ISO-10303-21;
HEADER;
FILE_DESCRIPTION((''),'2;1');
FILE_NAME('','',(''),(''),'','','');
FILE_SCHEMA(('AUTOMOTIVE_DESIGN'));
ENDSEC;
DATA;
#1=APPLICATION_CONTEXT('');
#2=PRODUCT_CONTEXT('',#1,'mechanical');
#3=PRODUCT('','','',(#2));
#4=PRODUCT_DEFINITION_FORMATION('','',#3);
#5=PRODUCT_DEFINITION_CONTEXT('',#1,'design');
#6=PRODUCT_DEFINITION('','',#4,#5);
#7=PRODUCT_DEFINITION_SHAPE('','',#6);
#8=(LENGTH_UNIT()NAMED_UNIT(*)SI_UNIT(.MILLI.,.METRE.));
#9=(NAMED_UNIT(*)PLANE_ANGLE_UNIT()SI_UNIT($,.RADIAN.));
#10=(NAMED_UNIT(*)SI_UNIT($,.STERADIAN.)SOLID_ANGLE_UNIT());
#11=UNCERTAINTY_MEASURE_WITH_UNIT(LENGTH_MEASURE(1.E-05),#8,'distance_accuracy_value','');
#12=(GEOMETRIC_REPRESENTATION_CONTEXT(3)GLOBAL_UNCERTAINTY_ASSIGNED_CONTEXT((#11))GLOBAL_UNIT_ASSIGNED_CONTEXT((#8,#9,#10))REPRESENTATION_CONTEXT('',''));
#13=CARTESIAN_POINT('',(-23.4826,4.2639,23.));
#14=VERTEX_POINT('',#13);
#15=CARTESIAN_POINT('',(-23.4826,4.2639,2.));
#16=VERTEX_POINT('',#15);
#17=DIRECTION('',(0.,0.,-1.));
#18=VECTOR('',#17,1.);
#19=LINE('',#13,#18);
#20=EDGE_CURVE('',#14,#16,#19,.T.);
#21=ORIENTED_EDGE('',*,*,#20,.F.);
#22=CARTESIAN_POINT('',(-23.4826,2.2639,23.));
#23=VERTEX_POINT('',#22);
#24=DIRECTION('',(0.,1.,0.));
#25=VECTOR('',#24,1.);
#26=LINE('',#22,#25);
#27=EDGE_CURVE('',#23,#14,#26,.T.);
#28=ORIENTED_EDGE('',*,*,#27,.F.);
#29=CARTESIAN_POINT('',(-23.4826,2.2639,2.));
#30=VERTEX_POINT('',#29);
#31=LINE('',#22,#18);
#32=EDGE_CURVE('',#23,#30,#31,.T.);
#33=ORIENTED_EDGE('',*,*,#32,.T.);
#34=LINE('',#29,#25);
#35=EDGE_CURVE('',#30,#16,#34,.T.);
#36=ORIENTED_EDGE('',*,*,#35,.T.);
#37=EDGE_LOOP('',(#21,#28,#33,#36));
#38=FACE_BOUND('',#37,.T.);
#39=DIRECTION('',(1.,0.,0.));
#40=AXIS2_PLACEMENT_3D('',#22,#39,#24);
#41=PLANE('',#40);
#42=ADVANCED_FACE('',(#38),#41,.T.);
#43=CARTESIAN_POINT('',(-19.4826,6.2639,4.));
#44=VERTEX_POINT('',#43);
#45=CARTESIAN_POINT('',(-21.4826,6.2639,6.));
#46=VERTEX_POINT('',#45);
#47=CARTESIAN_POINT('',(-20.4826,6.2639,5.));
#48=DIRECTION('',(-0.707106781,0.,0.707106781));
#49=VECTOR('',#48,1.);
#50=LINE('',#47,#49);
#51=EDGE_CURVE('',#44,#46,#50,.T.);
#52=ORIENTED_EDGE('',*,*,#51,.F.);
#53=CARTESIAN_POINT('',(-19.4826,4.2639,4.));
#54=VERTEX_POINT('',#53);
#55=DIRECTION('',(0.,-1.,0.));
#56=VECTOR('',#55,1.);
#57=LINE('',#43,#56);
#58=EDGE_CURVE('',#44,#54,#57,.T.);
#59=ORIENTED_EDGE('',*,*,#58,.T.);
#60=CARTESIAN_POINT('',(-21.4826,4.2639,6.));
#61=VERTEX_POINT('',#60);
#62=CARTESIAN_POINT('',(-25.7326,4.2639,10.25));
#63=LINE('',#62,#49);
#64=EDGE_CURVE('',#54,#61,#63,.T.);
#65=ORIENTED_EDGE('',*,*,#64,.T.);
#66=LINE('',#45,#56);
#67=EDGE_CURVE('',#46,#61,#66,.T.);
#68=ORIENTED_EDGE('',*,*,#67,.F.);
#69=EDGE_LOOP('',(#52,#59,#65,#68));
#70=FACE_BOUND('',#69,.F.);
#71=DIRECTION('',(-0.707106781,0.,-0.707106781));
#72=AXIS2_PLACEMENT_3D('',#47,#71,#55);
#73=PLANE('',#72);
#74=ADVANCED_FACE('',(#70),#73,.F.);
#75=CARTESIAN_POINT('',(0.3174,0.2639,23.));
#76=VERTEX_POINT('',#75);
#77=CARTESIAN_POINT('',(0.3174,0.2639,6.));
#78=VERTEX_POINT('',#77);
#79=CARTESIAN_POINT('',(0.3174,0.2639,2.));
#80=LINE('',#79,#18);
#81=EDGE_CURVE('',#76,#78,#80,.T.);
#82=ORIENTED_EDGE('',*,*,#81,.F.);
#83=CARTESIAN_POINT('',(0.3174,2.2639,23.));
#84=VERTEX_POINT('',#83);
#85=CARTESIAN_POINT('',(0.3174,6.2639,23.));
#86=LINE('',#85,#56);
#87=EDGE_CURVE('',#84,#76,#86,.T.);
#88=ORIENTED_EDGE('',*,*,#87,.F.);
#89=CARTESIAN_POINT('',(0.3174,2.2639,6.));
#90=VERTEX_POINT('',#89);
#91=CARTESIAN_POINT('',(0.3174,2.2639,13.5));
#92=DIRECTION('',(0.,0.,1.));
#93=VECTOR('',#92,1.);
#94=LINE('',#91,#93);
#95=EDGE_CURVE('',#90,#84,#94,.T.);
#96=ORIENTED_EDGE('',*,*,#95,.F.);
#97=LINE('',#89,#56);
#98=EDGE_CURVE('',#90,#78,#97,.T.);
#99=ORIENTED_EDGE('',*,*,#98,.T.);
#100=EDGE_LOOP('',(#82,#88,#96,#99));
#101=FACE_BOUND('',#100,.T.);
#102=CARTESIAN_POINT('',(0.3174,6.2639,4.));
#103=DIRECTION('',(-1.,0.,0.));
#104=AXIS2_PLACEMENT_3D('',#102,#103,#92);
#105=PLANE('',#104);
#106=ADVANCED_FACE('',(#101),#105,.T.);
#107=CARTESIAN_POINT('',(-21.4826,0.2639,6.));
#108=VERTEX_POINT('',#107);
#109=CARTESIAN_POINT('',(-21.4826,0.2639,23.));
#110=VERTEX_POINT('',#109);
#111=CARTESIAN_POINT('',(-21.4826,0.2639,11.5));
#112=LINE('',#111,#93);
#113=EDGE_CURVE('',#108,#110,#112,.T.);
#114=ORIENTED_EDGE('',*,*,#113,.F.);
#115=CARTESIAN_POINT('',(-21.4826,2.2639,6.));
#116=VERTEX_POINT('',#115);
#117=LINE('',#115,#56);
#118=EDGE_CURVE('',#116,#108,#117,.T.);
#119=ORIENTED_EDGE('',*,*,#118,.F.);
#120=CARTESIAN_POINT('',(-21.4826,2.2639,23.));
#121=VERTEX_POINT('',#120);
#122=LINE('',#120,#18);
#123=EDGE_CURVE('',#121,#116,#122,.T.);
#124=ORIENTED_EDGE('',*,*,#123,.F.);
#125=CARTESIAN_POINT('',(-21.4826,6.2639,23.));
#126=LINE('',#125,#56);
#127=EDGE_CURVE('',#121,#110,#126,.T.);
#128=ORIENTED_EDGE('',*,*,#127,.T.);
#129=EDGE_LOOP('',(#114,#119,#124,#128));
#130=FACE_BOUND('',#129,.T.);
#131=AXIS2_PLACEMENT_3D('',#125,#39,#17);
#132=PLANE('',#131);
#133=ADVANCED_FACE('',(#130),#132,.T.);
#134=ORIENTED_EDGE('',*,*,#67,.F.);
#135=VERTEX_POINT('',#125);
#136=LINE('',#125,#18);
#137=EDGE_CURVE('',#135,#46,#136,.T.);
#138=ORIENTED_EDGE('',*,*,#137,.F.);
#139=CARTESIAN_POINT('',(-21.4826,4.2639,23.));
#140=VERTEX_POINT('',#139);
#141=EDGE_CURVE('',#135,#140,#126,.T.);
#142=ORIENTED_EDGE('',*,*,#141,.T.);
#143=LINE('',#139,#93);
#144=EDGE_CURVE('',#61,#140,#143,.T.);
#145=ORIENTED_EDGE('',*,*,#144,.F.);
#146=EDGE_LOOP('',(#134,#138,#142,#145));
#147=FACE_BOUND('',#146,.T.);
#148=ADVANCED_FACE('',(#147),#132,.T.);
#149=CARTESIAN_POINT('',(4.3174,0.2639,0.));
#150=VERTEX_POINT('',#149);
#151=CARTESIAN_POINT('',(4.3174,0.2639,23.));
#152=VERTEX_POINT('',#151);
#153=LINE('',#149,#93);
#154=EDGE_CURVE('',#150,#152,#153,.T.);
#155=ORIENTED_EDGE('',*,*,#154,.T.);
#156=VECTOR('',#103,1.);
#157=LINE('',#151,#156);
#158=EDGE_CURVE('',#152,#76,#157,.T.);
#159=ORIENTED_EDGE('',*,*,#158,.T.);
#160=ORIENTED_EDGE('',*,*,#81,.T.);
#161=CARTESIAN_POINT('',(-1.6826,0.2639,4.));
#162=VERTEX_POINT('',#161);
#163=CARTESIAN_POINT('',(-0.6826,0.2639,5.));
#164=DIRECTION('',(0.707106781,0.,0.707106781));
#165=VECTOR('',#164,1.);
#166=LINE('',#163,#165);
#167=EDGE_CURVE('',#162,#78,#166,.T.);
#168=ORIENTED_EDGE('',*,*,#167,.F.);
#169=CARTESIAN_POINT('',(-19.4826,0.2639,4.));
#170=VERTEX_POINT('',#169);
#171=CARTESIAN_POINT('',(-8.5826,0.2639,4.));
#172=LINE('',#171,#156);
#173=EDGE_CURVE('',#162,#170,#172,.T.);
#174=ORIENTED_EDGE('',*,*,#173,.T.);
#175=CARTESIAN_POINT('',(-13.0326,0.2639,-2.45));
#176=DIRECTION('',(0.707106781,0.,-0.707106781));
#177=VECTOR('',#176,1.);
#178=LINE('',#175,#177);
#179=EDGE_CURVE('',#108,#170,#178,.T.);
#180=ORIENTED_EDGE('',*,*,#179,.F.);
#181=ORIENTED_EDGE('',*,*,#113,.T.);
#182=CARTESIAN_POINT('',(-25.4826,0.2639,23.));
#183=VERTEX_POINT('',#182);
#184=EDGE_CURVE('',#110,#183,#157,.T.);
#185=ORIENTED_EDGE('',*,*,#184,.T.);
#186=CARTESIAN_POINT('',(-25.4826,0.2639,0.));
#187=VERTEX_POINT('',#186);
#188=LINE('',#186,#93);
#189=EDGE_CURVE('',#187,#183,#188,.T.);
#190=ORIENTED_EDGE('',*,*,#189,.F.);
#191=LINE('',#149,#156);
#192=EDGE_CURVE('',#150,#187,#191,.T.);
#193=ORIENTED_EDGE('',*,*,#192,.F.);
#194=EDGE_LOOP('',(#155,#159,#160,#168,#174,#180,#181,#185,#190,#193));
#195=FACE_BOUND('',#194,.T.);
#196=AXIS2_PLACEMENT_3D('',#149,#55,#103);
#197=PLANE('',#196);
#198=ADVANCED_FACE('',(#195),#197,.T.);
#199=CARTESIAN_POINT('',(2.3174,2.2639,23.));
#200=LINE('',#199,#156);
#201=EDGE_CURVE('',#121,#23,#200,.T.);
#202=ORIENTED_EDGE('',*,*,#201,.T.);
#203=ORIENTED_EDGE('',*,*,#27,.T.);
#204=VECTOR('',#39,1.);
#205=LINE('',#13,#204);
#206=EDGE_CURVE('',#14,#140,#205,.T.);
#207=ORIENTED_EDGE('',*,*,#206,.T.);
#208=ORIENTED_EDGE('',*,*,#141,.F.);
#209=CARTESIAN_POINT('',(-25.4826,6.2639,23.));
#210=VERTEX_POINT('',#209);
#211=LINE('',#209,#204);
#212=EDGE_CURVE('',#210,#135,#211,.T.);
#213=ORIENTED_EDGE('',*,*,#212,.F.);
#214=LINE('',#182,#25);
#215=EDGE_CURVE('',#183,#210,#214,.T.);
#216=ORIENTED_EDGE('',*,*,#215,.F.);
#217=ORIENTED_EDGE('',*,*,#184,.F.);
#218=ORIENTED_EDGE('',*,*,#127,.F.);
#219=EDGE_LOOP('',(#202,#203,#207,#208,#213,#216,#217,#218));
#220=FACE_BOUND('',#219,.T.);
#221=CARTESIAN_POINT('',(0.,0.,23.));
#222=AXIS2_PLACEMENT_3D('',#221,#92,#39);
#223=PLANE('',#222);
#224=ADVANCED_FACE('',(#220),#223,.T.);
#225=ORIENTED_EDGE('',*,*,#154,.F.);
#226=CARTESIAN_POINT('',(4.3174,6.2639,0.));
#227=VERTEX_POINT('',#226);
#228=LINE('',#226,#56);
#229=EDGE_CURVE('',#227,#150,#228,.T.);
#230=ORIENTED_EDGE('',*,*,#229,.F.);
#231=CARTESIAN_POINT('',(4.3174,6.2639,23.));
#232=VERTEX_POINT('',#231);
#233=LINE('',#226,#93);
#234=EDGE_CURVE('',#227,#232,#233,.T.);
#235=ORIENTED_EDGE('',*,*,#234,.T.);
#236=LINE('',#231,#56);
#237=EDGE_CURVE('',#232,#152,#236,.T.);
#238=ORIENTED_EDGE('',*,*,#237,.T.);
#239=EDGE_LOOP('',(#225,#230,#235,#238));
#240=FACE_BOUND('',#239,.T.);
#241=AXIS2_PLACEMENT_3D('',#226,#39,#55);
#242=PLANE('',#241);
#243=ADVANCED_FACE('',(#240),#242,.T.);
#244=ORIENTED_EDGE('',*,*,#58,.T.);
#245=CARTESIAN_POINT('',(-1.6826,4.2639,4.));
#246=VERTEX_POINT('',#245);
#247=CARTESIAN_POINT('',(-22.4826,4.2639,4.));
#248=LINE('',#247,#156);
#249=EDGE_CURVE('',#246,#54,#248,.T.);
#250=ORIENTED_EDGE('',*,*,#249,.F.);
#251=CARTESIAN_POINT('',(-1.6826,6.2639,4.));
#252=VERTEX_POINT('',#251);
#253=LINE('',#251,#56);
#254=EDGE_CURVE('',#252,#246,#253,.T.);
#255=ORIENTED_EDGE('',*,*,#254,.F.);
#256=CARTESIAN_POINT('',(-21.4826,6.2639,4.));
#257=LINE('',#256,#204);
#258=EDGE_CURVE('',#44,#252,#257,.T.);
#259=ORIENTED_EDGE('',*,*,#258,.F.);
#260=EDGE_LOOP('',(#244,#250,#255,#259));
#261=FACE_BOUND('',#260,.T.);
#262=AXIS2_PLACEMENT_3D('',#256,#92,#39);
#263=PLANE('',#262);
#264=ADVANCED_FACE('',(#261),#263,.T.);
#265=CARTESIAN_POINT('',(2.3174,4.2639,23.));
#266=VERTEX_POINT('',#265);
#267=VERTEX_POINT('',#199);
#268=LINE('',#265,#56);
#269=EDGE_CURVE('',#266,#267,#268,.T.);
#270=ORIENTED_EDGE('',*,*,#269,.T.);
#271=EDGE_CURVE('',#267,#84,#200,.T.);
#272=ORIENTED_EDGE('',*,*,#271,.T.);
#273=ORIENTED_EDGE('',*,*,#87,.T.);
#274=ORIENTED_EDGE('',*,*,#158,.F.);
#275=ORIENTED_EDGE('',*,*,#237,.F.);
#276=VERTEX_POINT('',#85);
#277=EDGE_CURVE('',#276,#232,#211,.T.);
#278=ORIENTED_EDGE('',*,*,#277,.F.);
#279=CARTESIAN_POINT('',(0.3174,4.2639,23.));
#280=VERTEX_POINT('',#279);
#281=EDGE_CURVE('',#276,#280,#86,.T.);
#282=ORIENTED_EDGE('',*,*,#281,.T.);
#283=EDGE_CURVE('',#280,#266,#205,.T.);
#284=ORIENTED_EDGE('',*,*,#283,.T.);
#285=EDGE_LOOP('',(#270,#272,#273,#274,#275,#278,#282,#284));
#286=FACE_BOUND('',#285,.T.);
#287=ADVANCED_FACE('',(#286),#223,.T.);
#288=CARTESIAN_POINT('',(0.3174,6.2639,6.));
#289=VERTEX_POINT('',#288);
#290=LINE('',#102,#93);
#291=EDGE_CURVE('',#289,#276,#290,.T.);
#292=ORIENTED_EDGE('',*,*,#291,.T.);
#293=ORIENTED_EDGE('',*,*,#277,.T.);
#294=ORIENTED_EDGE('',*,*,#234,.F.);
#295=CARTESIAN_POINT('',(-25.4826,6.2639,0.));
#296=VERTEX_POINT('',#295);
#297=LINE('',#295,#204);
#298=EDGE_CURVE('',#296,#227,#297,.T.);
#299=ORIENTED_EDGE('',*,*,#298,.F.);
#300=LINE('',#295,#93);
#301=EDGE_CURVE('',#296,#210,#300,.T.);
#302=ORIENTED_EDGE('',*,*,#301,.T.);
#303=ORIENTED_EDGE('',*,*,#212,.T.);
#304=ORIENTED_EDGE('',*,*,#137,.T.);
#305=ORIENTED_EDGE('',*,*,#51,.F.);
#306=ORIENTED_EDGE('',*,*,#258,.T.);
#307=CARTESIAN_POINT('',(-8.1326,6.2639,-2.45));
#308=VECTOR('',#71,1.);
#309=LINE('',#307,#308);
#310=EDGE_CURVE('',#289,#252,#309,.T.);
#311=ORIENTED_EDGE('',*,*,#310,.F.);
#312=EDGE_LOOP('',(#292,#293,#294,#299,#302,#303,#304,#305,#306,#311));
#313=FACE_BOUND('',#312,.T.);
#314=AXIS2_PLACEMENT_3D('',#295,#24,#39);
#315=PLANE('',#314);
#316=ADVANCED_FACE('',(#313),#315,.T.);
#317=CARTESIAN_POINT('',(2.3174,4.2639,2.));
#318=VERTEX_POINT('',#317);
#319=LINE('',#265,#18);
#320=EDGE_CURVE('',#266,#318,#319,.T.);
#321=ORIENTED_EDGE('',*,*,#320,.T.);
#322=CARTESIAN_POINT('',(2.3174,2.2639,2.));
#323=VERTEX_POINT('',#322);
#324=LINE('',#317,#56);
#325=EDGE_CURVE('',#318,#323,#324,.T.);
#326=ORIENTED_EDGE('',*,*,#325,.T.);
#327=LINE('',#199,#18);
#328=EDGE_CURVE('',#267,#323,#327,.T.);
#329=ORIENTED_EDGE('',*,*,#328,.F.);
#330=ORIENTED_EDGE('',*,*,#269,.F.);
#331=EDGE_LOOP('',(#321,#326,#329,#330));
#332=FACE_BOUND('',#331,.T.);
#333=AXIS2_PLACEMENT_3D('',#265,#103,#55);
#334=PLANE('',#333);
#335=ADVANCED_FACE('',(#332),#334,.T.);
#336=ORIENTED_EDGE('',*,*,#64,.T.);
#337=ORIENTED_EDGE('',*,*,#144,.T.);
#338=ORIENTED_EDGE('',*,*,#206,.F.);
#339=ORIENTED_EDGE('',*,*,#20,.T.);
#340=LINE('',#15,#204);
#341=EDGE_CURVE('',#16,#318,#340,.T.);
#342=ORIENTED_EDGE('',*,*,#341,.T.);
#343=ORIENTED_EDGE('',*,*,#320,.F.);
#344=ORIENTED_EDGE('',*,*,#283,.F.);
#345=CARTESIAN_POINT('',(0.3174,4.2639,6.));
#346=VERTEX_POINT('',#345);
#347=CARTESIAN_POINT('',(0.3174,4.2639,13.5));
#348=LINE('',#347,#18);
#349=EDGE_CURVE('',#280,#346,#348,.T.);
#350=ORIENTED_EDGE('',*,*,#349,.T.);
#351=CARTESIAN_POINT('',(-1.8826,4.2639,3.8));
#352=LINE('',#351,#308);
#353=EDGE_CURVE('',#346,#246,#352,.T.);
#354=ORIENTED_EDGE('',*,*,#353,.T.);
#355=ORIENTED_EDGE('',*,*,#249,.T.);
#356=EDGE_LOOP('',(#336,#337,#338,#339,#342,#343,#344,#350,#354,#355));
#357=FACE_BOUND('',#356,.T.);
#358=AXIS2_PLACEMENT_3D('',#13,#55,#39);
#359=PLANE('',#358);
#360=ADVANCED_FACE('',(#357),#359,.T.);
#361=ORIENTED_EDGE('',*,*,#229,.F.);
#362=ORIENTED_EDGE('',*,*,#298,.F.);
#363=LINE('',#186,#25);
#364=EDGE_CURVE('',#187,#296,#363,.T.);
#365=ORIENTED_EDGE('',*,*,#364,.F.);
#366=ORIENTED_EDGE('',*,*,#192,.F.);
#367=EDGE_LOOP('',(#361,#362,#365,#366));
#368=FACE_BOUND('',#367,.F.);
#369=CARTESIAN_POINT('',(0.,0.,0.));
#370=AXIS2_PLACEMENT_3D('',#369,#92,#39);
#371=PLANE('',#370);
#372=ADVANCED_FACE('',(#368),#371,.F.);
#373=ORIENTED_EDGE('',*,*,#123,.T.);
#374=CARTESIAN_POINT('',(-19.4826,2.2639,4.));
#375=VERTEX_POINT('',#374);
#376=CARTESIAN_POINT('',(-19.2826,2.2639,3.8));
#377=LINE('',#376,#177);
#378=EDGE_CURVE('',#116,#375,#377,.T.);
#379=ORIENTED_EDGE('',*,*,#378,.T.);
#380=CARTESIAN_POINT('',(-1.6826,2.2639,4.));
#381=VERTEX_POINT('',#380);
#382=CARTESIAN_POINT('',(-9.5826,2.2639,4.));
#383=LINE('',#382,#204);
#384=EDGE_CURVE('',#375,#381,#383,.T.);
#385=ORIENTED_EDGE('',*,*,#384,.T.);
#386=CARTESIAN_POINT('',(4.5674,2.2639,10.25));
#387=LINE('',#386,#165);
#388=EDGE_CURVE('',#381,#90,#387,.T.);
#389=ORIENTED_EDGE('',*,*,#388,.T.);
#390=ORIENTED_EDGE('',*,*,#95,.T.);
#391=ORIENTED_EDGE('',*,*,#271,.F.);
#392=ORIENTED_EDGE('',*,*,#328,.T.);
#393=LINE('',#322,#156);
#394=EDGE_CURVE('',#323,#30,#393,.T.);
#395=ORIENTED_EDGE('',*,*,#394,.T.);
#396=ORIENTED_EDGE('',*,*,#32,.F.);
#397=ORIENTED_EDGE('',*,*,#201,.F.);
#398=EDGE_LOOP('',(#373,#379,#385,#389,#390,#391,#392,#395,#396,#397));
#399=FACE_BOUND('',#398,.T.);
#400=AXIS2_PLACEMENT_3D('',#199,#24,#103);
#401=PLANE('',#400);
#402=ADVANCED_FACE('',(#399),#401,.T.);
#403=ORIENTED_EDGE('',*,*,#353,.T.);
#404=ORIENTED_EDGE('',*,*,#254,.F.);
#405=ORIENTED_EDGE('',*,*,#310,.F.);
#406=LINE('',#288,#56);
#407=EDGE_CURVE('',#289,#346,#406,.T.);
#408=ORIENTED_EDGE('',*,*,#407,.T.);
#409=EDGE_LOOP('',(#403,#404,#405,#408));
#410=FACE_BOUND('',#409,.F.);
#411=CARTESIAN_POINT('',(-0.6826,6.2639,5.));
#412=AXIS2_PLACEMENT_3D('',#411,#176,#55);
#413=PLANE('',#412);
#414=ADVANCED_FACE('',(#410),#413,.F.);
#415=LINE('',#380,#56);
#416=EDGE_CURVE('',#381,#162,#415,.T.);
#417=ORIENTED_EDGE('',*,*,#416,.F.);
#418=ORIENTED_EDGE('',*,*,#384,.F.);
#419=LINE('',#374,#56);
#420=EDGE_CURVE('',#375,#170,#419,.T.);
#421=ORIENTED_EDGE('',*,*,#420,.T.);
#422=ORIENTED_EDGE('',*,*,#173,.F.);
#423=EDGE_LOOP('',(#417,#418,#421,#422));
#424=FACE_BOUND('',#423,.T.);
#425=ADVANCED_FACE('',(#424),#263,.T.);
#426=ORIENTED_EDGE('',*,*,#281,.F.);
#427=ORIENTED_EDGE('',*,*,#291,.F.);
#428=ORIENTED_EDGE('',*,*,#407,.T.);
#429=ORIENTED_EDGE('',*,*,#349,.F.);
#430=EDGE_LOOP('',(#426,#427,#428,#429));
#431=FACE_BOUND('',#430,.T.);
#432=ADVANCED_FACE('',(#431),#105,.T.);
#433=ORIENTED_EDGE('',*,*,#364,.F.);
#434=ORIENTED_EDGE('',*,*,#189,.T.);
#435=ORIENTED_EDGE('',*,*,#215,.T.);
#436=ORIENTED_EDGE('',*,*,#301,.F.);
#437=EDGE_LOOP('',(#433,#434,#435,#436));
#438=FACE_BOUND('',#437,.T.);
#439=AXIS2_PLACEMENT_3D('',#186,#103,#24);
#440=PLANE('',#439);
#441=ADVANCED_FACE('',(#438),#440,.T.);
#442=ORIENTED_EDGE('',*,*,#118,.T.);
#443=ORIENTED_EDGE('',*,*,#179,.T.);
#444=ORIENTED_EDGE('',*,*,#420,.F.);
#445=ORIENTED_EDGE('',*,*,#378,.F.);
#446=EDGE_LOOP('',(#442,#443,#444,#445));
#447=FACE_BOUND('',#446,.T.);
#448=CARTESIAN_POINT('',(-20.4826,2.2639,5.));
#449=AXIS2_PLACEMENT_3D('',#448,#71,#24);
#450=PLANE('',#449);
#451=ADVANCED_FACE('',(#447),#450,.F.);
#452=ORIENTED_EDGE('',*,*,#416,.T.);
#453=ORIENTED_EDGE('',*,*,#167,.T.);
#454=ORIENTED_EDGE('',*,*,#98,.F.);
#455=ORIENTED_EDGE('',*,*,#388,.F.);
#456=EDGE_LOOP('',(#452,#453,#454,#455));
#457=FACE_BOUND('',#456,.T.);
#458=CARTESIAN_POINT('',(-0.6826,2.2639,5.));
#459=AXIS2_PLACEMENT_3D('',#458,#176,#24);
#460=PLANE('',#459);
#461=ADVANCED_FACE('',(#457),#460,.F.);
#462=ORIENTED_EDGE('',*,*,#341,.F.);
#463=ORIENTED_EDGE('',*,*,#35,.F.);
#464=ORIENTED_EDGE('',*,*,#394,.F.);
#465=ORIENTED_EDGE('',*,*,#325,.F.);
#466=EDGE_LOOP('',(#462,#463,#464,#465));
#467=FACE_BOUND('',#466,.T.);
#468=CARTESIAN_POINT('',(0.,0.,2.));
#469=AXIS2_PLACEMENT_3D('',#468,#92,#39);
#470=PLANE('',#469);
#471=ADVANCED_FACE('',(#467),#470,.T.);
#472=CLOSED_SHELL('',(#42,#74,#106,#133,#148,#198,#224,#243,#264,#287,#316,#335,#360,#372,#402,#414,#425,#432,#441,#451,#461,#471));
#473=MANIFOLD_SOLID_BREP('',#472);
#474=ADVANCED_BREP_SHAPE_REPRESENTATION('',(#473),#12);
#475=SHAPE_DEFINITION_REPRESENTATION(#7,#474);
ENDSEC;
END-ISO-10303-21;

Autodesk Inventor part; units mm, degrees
ref_plane "YZ Plane" through (0, 0, 0) normal (1, 0, 0) x (0, 1, 0)
ref_plane "XZ Plane" through (0, 0, 0) normal (0, 1, 0) x (-1, 0, 0)
ref_plane "XY Plane" through (0, 0, 0) normal (0, 0, 1) x (1, 0, 0)
sketch "Sketch1" plane through (0, 0, 0) normal (0, 0, 1) x (1, 0, 0)
  line L0 (-23.4826, 4.2639) -> (2.3174, 4.2639)
  line L1 (2.3174, 4.2639) -> (2.3174, 2.2639)
  line L2 (2.3174, 2.2639) -> (-23.4826, 2.2639)
  line L3 (-23.4826, 2.2639) -> (-23.4826, 4.2639)
  line L4 (-25.4826, 6.2639) -> (4.3174, 6.2639)
  line L5 (4.3174, 6.2639) -> (4.3174, 0.2639)
  line L6 (4.3174, 0.2639) -> (-25.4826, 0.2639)
  line L7 (-25.4826, 0.2639) -> (-25.4826, 6.2639)
  point P0 (0, 0)
  dimension "d0" = 25.8
  dimension "d1" = 2
  dimension "d4" = 2
  dimension "d5" = 2
  dimension "d6" = 2
  dimension "d7" = 2
extrude "Extrusion5" add sketch "Sketch1" along normal blind 23 contours L0 L1 L2 L3 | L4 L5 L6 L7
sketch "Sketch4" plane through (0, 0, 23) normal (0, 0, 1) x (1, 0, 0)
  line L0 (-23.4826, 4.2639) -> (2.3174, 4.2639)
  line L1 (2.3174, 4.2639) -> (2.3174, 2.2639)
  line L2 (2.3174, 2.2639) -> (-23.4826, 2.2639)
  line L3 (-23.4826, 2.2639) -> (-23.4826, 4.2639)
  line L4 (-25.4826, 6.2639) -> (-25.4826, 0.2639) projected
  line L5 (4.3174, 6.2639) -> (-25.4826, 6.2639) projected
  line L6 (-25.4826, 0.2639) -> (4.3174, 0.2639) projected
  line L7 (4.3174, 0.2639) -> (4.3174, 6.2639) projected
  point P0 (0, 0)
  dimension "d20" = 2
  dimension "d21" = 2
  dimension "d22" = 2
  dimension "d23" = 2
extrude "Extrusion6" cut sketch "Sketch4" against normal blind 21 contours L0 L1 L2 L3
sketch "Sketch5" plane through (-25.4826, 6.2639, 0) normal (0, 1, 0) x (1, 0, 0)
  line L0 (0, -23) -> (29.8, -23) projected
  line L1 (4, -4) -> (25.8, -4)
  line L2 (25.8, -4) -> (25.8, -23)
  line L3 (25.8, -23) -> (4, -23)
  line L4 (4, -23) -> (4, -4)
  line L5 (0, 0) -> (0, -23) projected
  line L6 (29.8, 0) -> (29.8, -23) projected
  line L7 (0, 0) -> (29.8, 0) projected
  point P0 (25.4826, 0)
  dimension "d26" = 4
  dimension "d27" = 4
  dimension "d28" = 4
extrude "Extrusion7" cut sketch "Sketch5" against normal through all contours L4 L1 L2 L0
chamfer "Chamfer1" distance 2 angle 45 4 edges at (-21.4826, 5.2639, 4) (-21.4826, 1.2639, 4) (0.3174, 5.2639, 4) (0.3174, 1.2639, 4)
properties part number "CameraHolder"
